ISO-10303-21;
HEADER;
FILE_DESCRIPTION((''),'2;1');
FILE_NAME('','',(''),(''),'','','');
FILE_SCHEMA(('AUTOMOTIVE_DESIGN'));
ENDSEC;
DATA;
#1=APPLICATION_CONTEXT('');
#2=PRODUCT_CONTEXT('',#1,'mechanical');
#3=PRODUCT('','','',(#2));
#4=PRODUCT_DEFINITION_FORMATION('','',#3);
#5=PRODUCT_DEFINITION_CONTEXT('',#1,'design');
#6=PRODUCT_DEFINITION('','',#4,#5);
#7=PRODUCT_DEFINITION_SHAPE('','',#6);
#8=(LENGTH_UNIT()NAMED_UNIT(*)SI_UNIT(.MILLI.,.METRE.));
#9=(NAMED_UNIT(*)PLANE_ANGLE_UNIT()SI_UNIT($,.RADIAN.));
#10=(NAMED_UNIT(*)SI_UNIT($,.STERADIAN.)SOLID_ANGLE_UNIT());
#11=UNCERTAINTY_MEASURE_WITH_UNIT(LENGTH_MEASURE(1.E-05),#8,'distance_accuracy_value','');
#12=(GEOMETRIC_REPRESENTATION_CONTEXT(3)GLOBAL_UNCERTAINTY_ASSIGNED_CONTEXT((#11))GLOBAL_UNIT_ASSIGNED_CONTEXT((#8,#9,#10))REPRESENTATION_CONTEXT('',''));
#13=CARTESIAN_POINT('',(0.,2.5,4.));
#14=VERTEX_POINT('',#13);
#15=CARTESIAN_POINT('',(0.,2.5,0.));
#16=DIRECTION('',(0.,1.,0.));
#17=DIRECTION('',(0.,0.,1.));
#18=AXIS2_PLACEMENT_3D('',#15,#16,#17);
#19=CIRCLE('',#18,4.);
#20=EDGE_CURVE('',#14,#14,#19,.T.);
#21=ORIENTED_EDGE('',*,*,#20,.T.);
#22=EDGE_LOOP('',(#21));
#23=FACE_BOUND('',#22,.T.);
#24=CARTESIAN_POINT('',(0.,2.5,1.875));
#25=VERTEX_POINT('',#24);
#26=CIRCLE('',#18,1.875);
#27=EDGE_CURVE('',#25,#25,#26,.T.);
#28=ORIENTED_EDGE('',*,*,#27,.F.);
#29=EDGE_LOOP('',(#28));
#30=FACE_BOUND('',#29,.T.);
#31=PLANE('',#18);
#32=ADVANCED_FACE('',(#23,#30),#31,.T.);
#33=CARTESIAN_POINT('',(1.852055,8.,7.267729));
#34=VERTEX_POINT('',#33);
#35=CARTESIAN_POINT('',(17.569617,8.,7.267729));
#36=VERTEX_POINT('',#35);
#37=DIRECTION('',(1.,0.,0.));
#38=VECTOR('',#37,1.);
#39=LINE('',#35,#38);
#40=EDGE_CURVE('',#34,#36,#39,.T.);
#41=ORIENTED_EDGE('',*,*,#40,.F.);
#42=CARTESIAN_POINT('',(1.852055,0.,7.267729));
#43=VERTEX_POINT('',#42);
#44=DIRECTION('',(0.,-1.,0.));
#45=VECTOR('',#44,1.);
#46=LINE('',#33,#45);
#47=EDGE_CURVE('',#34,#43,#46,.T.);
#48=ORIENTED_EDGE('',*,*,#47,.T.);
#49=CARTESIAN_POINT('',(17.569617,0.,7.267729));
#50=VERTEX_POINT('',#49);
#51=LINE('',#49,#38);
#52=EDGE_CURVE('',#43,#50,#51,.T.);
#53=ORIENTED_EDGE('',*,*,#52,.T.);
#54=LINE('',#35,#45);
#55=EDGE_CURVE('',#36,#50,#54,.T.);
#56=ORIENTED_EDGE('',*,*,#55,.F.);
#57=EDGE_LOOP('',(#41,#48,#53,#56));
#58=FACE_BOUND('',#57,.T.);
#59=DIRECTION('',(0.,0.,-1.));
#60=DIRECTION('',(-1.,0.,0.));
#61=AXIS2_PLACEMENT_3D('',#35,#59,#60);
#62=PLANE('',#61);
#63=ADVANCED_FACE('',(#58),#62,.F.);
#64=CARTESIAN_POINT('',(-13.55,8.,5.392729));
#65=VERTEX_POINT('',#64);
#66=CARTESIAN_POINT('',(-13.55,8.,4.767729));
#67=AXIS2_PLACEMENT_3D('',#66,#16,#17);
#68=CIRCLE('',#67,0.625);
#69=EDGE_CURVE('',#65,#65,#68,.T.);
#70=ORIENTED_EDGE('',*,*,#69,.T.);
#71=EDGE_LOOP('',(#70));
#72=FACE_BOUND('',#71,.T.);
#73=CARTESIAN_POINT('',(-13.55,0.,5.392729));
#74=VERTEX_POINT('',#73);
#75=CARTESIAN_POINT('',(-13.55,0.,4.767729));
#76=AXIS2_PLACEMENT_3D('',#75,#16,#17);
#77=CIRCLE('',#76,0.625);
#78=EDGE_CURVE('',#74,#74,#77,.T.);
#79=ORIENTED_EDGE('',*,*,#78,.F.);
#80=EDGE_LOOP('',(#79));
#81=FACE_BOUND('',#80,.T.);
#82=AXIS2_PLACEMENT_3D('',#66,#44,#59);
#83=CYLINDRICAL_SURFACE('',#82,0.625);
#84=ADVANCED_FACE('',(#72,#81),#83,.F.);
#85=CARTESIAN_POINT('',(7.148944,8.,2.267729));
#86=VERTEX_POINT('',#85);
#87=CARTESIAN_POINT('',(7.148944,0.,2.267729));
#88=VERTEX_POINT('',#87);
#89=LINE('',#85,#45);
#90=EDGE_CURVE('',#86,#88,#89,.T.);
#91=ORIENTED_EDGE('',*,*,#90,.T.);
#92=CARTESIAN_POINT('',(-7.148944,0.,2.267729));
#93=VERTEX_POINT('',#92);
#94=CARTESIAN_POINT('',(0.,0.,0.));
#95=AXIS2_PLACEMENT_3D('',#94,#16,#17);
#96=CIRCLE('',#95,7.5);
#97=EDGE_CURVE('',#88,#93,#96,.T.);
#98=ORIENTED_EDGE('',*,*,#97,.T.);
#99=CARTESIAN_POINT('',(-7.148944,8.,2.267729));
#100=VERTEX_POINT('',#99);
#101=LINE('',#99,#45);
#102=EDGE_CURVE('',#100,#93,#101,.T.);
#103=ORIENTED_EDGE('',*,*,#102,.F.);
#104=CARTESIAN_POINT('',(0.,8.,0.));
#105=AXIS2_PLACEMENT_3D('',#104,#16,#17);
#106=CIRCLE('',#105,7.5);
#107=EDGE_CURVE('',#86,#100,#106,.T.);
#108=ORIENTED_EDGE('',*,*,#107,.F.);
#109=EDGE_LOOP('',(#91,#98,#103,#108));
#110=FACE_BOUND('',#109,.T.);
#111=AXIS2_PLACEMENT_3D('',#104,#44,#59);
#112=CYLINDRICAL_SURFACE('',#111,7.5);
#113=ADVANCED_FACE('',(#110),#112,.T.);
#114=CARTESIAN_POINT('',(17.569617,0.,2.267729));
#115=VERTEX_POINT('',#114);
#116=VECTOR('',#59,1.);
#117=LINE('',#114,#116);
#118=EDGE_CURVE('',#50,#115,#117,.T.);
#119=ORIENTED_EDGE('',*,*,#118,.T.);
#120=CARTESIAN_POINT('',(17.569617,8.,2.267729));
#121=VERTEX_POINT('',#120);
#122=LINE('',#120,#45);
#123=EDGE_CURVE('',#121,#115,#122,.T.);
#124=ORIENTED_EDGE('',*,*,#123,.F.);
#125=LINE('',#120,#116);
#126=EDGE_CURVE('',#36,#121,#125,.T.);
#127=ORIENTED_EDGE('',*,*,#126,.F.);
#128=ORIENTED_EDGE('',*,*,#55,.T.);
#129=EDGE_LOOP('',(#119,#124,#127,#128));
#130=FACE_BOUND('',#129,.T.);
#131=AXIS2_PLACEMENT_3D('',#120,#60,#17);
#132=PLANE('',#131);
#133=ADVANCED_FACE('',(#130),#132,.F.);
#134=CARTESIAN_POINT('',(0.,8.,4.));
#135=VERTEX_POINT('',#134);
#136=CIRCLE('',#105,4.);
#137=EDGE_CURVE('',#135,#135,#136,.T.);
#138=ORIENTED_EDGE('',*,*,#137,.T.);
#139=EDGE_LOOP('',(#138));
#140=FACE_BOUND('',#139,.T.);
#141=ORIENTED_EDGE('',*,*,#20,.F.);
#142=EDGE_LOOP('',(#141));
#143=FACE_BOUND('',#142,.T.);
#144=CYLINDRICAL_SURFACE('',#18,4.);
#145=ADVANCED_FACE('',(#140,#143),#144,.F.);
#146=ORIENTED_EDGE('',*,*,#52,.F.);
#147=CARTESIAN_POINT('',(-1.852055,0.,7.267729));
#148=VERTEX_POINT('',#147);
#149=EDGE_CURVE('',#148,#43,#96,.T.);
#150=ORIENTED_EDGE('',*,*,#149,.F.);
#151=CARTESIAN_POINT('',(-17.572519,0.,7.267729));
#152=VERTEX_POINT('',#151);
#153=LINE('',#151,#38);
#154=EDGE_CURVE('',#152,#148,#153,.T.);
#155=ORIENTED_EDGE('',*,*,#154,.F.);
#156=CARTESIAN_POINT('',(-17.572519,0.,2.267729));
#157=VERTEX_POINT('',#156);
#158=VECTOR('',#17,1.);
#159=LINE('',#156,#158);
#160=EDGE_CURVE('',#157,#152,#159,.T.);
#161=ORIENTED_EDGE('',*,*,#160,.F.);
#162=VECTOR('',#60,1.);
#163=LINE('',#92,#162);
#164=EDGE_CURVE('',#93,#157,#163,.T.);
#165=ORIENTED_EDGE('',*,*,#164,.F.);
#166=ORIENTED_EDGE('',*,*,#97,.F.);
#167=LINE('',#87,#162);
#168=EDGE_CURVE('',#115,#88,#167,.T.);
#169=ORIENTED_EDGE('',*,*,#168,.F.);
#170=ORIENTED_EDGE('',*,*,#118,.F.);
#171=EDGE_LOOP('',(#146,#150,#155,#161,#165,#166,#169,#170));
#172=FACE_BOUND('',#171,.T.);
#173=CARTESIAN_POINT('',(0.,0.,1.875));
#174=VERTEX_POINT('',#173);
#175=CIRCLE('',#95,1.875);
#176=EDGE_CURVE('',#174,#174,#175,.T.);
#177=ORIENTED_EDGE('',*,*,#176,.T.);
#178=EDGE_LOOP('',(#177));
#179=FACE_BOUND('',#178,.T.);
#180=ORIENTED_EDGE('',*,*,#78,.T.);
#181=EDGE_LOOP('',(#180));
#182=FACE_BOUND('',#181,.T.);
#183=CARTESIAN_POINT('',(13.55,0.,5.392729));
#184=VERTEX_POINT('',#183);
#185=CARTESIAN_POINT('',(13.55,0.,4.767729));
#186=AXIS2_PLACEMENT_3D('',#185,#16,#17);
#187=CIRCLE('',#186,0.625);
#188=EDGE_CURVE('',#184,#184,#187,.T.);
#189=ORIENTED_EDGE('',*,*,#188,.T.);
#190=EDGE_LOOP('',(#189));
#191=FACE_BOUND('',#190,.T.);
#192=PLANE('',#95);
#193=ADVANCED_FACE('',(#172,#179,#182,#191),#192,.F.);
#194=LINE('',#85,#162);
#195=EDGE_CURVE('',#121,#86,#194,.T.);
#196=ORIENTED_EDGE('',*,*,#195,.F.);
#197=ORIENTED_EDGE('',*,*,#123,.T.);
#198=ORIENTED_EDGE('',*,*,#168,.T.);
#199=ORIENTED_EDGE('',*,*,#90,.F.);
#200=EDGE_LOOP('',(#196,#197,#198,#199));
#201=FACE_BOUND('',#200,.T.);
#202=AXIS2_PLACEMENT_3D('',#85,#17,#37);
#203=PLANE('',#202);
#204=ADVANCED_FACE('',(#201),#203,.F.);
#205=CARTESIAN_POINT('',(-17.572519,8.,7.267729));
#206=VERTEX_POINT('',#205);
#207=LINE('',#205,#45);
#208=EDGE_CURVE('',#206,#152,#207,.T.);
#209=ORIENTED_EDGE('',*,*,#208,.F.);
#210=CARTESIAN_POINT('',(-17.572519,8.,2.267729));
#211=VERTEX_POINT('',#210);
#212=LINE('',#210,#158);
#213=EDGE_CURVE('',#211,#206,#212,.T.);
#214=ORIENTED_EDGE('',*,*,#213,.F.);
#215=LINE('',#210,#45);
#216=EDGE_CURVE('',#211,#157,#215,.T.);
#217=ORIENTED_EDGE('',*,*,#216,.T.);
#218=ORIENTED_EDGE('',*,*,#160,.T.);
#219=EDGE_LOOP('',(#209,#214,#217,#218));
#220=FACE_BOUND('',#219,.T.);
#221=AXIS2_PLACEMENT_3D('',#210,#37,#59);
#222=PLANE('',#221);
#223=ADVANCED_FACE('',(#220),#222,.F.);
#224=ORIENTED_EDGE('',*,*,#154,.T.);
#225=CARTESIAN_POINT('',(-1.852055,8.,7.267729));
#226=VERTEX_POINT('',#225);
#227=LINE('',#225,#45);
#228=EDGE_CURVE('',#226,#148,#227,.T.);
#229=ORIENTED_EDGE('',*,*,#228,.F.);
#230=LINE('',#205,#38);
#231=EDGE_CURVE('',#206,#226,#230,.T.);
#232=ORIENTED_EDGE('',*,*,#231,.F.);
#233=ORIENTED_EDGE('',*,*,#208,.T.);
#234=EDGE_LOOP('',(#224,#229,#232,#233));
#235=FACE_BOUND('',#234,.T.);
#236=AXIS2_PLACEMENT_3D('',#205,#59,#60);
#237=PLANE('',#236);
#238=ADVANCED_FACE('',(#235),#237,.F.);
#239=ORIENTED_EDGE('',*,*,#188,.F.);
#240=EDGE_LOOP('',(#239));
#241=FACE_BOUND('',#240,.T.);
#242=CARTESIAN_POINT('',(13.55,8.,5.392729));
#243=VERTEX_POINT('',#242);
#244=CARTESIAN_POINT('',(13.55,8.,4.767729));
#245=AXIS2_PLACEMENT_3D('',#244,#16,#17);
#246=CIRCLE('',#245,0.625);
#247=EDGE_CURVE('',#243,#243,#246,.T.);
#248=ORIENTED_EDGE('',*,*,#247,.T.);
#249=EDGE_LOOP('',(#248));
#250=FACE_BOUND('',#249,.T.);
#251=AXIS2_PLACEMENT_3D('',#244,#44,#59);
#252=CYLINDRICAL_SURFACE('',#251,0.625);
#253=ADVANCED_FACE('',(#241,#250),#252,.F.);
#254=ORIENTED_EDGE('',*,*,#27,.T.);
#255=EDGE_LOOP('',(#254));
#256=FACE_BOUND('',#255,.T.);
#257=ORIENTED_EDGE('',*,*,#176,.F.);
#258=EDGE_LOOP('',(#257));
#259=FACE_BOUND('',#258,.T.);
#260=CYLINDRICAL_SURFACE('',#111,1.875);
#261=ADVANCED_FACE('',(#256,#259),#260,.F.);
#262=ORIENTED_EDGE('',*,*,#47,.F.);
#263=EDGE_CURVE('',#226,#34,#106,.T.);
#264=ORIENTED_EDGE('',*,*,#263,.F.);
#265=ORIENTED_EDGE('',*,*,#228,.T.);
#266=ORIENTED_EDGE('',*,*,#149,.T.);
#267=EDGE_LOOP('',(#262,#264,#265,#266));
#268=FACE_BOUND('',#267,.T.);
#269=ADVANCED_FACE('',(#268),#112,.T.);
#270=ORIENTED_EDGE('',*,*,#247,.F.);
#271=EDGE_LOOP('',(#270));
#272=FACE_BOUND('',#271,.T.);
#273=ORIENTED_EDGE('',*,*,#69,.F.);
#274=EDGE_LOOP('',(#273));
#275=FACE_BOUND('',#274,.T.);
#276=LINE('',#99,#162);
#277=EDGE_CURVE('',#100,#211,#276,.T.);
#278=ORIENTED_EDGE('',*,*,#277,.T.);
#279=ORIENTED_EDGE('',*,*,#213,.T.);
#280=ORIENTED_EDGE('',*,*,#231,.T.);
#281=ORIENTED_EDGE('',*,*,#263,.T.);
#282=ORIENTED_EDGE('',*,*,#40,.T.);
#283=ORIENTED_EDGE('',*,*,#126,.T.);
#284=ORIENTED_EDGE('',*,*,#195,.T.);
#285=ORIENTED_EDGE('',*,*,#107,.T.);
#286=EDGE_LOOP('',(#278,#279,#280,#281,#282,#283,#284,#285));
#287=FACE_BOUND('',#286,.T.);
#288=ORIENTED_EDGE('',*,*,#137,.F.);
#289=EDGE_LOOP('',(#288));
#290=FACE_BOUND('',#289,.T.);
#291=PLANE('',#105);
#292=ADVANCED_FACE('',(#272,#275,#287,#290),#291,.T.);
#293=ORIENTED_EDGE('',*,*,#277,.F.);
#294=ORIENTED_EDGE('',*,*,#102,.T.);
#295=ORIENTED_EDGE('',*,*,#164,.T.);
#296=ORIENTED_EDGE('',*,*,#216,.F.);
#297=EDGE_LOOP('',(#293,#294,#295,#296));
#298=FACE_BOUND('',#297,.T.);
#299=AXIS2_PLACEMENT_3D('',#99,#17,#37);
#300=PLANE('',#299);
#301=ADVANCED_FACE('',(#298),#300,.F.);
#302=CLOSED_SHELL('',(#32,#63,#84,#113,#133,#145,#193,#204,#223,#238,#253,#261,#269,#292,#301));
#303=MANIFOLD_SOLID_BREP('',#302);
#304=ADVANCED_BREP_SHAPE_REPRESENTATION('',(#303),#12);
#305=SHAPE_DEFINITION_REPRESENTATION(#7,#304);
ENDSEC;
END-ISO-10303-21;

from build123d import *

# Parameters (mm, degrees)
SKETCH1_R           = 1.875
SKETCH1_R_2         = 0.625
BOSS_EXTRUDE1_DEPTH = 8
SKETCH2_R           = 4
CUT_EXTRUDE1_DEPTH  = 5.5


with BuildPart() as part:
    # Sketch1 → Boss-Extrude1 (new body)
    with BuildSketch(Plane(origin=(0, 0, 0), x_dir=(1, 0, 0), z_dir=(0, 1, 0))):
        with BuildLine():
            Line((-7.148944203, -2.267729434), (-17.572518578, -2.267729434))
            Line((-17.572518578, -2.267729434), (-17.572518578, -7.267729434))
            Line((-17.572518578, -7.267729434), (-1.852055311, -7.267729434))
            ThreePointArc((-1.852055311, -7.267729434), (0, -7.5), (1.852055311, -7.267729434))
            Line((1.852055311, -7.267729434), (17.569617046, -7.267729434))
            Line((17.569617046, -7.267729434), (17.569617046, -2.267729434))
            Line((17.569617046, -2.267729434), (7.148944203, -2.267729434))
            ThreePointArc((7.148944203, -2.267729434), (0, 7.5), (-7.148944203, -2.267729434))
        make_face()
        with Locations(Location((0, 0, 0), (0, 0, 270))):
            Circle(SKETCH1_R, mode=Mode.SUBTRACT)
        with Locations(Location((-13.55, -4.767729434, 0), (0, 0, 270))):
            Circle(SKETCH1_R_2, mode=Mode.SUBTRACT)
        with Locations(Location((13.55, -4.767729434, 0), (0, 0, 270))):
            Circle(SKETCH1_R_2, mode=Mode.SUBTRACT)
    extrude(amount=BOSS_EXTRUDE1_DEPTH)

    # Sketch2 → Cut-Extrude1 (cut)
    with BuildSketch(Plane(origin=(0, 8, 0), x_dir=(1, 0, 0), z_dir=(0, 1, 0))):
        with Locations(Location((0, 0, 0), (0, 0, 270))):
            Circle(SKETCH2_R)
    extrude(amount=-CUT_EXTRUDE1_DEPTH, mode=Mode.SUBTRACT)


solid = part.part
